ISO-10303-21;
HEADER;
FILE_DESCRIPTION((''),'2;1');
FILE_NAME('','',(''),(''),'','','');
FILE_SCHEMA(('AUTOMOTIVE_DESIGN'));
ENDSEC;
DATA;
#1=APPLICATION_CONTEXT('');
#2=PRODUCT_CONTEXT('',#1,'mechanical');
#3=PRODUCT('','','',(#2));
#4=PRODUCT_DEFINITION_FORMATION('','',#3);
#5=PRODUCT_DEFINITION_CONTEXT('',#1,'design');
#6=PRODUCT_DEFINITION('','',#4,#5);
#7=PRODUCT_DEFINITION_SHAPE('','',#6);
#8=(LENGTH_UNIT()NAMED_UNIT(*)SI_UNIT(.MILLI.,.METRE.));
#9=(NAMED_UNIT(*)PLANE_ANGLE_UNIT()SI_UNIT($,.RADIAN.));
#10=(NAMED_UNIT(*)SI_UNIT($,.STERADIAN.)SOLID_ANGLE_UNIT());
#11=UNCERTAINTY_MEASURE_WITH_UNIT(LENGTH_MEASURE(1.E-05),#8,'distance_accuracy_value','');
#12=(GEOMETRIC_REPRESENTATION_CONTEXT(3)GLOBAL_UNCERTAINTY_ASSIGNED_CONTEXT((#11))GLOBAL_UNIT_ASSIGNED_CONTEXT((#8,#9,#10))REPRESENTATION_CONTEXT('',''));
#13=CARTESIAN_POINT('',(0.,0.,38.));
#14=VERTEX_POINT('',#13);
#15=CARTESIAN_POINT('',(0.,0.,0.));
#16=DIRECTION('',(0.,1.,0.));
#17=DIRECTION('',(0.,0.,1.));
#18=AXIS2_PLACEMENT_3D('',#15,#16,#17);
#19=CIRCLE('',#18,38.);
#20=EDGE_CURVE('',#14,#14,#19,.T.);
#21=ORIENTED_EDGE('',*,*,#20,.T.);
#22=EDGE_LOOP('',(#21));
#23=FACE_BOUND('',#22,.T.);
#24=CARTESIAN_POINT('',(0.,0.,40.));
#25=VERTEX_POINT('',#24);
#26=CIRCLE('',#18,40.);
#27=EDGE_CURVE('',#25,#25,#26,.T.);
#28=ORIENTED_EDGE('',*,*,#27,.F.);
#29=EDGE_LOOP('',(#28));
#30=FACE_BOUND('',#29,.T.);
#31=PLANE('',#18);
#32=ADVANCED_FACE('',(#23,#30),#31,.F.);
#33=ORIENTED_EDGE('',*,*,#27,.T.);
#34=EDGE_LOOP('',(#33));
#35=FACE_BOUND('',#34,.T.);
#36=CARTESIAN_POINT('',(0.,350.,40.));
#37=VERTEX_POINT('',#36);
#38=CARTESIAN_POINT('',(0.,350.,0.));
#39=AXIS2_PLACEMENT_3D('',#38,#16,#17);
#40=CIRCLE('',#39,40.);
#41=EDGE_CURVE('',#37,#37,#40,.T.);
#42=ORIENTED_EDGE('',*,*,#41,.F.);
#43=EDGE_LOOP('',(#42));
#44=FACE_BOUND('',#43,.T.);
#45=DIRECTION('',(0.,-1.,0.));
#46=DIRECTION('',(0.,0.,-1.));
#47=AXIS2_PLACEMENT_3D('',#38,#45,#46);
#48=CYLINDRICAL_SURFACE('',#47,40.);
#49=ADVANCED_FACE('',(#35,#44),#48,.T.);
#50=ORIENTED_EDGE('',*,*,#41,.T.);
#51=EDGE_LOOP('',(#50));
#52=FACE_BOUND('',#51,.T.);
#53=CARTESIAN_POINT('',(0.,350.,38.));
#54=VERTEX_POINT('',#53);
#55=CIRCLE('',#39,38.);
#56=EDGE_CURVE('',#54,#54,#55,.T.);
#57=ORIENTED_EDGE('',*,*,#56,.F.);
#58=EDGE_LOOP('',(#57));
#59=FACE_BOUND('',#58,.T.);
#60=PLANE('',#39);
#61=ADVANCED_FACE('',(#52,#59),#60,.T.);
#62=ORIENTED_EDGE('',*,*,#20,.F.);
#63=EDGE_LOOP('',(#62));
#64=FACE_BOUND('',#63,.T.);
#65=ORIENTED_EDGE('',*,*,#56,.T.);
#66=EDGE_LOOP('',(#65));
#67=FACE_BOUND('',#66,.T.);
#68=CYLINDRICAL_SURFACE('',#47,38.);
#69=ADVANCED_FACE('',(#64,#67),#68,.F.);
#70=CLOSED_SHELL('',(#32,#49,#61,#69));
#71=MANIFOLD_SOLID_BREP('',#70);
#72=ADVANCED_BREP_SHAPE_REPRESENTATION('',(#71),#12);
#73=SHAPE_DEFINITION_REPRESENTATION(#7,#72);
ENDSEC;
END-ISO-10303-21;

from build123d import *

# Parameters (mm, degrees)
SKETCH1_R           = 40
SKETCH1_R_2         = 38
BOSS_EXTRUDE1_DEPTH = 350


with BuildPart() as part:
    # Sketch1 → Boss-Extrude1 (new body)
    with BuildSketch(Plane(origin=(0, 0, 0), x_dir=(1, 0, 0), z_dir=(0, 1, 0))):
        with Locations(Location((0, 0, 0), (0, 0, 270))):
            Circle(SKETCH1_R)
        with Locations(Location((0, 0, 0), (0, 0, 270))):
            Circle(SKETCH1_R_2, mode=Mode.SUBTRACT)
    extrude(amount=BOSS_EXTRUDE1_DEPTH)


solid = part.part
